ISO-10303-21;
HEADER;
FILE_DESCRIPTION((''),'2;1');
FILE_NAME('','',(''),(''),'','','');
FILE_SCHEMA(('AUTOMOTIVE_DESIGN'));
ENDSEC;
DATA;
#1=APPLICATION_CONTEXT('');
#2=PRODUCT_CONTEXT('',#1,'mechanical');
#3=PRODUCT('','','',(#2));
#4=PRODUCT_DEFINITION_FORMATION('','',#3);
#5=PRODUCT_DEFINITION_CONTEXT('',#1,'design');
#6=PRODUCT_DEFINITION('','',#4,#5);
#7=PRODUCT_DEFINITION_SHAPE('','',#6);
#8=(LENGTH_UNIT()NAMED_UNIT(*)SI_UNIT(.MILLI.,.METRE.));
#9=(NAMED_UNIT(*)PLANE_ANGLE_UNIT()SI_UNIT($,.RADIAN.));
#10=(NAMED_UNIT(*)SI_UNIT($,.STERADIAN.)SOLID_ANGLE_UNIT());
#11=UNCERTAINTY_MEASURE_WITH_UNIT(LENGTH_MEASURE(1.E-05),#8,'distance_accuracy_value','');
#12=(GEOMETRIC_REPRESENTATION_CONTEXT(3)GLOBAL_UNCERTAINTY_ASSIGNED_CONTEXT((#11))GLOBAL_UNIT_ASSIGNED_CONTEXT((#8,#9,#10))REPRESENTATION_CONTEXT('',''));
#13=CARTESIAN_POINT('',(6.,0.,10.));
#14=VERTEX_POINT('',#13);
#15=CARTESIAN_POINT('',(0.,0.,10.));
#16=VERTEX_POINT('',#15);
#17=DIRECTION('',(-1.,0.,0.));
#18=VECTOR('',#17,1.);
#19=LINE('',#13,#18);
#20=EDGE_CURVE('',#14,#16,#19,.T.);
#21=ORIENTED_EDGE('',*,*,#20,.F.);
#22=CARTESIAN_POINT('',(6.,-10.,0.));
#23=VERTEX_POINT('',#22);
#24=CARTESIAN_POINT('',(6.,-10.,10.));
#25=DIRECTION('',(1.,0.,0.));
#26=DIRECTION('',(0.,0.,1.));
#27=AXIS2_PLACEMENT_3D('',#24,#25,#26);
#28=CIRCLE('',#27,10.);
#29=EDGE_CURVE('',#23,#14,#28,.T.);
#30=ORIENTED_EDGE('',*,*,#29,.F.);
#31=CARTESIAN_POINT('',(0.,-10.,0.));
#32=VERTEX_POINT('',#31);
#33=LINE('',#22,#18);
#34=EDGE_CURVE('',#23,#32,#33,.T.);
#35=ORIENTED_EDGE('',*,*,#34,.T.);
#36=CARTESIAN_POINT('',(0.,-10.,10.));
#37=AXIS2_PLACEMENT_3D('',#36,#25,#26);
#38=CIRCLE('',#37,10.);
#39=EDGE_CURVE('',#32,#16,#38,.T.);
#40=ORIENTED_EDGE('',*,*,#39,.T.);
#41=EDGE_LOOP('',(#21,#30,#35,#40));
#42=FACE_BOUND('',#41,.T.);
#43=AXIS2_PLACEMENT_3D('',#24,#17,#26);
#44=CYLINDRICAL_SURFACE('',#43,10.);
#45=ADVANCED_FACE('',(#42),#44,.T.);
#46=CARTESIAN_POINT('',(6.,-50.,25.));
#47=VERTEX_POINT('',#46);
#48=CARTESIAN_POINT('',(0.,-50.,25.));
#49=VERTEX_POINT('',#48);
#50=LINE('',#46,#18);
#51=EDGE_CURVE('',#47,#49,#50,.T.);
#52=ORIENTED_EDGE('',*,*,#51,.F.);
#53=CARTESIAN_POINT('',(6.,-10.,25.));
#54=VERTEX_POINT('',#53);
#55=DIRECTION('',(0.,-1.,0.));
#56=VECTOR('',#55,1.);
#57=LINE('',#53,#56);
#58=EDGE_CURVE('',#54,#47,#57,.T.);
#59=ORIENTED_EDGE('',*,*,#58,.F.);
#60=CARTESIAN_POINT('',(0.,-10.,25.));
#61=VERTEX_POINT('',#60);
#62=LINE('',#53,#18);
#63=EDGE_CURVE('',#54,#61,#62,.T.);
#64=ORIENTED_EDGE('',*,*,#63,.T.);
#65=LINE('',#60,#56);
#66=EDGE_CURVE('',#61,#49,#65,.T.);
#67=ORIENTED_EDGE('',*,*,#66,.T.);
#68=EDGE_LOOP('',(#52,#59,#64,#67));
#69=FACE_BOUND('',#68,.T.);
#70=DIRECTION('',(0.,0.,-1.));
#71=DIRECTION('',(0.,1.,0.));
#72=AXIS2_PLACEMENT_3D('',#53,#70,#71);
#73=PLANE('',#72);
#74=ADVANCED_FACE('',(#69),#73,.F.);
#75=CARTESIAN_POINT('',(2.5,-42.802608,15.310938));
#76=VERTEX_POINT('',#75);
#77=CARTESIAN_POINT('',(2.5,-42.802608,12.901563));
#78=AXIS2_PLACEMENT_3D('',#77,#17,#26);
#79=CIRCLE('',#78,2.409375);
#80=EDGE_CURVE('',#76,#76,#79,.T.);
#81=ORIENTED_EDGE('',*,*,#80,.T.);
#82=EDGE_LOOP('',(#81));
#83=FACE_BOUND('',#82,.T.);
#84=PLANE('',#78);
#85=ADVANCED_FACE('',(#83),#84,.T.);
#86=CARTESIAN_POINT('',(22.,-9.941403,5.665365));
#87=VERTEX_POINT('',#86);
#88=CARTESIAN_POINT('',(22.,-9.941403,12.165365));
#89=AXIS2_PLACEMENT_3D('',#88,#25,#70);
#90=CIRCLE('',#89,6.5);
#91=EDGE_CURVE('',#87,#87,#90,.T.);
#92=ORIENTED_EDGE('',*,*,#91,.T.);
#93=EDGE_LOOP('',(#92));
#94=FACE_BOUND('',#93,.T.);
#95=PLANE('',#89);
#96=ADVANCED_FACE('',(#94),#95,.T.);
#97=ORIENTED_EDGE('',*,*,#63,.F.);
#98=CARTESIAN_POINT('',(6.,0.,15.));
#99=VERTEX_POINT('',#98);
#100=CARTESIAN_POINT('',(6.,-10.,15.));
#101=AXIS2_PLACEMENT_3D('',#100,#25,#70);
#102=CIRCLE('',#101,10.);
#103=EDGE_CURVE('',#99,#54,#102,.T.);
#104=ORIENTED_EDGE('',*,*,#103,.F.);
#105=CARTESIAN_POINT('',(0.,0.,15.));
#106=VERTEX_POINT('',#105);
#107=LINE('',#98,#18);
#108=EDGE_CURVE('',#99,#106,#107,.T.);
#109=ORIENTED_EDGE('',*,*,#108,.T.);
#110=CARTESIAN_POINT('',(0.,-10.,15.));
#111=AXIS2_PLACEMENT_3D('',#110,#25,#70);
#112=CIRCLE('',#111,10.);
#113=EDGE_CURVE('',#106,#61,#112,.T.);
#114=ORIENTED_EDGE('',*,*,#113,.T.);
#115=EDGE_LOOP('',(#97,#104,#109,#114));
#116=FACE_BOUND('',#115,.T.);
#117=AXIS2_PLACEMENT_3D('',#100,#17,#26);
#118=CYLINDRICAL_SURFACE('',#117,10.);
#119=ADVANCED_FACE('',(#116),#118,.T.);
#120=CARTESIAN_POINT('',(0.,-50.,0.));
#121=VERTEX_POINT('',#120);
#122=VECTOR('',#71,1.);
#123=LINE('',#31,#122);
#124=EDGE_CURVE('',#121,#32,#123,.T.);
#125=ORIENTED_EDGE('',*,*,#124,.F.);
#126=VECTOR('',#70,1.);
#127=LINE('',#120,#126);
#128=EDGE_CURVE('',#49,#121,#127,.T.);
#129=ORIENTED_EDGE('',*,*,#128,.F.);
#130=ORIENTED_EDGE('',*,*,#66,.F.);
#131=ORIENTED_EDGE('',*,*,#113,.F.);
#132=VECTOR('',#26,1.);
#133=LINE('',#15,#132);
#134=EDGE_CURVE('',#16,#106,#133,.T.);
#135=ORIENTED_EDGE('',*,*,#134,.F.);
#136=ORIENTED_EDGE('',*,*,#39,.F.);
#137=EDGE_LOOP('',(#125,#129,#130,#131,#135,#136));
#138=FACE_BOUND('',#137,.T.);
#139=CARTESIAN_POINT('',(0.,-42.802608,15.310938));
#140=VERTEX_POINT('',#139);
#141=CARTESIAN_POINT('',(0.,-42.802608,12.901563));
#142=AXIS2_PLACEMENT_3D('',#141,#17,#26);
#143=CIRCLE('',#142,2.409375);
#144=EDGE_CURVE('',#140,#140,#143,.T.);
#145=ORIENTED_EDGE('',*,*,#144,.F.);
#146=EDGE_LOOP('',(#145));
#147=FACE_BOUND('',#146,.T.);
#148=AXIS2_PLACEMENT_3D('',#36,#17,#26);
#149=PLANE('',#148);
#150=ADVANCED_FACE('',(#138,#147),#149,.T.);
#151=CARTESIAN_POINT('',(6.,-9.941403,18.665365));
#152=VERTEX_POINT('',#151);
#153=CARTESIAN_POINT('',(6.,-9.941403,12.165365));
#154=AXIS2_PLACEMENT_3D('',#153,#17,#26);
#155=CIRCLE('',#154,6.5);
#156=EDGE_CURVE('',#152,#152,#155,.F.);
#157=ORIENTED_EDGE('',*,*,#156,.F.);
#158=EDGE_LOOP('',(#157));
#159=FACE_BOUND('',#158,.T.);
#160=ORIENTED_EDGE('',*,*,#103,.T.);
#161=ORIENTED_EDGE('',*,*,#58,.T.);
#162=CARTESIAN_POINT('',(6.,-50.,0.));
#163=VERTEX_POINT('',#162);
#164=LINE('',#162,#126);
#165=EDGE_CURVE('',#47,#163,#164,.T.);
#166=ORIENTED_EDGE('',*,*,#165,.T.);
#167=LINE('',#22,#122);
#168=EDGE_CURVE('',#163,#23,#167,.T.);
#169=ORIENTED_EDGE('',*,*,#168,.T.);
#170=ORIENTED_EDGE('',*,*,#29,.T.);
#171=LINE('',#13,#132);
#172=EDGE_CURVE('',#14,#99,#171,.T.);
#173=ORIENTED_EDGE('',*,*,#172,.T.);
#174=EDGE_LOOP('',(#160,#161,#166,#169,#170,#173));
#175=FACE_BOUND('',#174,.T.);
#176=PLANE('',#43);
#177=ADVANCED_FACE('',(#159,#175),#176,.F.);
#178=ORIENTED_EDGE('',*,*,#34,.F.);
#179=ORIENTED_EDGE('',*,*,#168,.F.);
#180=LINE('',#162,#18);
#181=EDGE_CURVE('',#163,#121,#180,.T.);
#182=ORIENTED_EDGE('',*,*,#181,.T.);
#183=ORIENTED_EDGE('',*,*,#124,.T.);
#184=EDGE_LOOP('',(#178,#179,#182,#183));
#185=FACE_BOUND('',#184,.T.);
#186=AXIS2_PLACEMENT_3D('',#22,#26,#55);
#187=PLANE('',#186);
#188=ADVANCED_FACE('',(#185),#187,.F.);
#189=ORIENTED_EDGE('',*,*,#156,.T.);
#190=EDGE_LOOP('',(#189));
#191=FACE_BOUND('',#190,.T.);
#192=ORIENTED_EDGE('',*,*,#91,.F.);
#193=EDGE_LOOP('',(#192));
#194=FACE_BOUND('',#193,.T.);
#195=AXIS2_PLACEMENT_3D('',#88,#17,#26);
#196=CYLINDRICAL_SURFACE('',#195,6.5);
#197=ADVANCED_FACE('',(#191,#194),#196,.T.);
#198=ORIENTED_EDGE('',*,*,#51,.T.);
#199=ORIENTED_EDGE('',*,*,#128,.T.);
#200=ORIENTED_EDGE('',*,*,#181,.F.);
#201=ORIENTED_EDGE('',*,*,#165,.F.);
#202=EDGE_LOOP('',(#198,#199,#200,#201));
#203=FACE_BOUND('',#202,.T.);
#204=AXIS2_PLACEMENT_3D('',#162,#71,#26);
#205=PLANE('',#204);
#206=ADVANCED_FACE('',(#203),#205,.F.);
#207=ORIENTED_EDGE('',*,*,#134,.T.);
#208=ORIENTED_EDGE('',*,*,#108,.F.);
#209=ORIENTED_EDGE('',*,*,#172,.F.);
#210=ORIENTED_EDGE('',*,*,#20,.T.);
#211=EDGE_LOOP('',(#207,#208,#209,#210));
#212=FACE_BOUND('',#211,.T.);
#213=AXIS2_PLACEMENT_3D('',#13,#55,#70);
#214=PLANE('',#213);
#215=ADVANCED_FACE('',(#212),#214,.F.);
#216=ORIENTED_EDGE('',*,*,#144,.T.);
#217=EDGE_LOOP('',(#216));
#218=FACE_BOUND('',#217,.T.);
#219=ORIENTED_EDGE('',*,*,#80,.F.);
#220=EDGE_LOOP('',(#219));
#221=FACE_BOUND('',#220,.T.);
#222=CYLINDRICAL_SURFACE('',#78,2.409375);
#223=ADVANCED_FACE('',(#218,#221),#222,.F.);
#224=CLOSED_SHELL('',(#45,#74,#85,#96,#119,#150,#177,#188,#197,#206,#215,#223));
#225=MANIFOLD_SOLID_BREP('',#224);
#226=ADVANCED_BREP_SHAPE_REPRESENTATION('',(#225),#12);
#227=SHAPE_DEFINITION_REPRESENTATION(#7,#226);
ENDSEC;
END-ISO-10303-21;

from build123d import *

# Parameters (mm, degrees)
BOSS_EXTRUDE1_DEPTH = 6
SKETCH2_R           = 6.5
BOSS_EXTRUDE2_DEPTH = 16
SKETCH3_R           = 2.409375482
CUT_EXTRUDE1_DEPTH  = 2.5


with BuildPart() as part:
    # Sketch1 → Boss-Extrude1 (new body)
    with BuildSketch(Plane(origin=(0, 0, 0), x_dir=(0, 0, -1), z_dir=(1, 0, 0))):
        with BuildLine():
            Line((-10, 0), (-15, 0))
            ThreePointArc((-15, 0), (-22.071067812, -2.928932188), (-25, -10))
            Line((-25, -10), (-25, -50))
            Line((-25, -50), (0, -50))
            Line((0, -50), (0, -10))
            ThreePointArc((0, -10), (-2.928932188, -2.928932188), (-10, 0))
        make_face()
    extrude(amount=BOSS_EXTRUDE1_DEPTH)

    # Sketch2 → Boss-Extrude2 (add)
    with BuildSketch(Plane(origin=(6, 0, 0), x_dir=(0, 0, -1), z_dir=(1, 0, 0))):
        with Locations(Location((-12.165364516, -9.941403235, 0), (0, 0, 180))):
            Circle(SKETCH2_R)
    extrude(amount=BOSS_EXTRUDE2_DEPTH)

    # Sketch3 → Cut-Extrude1 (cut)
    with BuildSketch(Plane.ZY):
        with Locations((12.90156258, -42.802607731)):
            Circle(SKETCH3_R)
    extrude(amount=-CUT_EXTRUDE1_DEPTH, mode=Mode.SUBTRACT)


solid = part.part
